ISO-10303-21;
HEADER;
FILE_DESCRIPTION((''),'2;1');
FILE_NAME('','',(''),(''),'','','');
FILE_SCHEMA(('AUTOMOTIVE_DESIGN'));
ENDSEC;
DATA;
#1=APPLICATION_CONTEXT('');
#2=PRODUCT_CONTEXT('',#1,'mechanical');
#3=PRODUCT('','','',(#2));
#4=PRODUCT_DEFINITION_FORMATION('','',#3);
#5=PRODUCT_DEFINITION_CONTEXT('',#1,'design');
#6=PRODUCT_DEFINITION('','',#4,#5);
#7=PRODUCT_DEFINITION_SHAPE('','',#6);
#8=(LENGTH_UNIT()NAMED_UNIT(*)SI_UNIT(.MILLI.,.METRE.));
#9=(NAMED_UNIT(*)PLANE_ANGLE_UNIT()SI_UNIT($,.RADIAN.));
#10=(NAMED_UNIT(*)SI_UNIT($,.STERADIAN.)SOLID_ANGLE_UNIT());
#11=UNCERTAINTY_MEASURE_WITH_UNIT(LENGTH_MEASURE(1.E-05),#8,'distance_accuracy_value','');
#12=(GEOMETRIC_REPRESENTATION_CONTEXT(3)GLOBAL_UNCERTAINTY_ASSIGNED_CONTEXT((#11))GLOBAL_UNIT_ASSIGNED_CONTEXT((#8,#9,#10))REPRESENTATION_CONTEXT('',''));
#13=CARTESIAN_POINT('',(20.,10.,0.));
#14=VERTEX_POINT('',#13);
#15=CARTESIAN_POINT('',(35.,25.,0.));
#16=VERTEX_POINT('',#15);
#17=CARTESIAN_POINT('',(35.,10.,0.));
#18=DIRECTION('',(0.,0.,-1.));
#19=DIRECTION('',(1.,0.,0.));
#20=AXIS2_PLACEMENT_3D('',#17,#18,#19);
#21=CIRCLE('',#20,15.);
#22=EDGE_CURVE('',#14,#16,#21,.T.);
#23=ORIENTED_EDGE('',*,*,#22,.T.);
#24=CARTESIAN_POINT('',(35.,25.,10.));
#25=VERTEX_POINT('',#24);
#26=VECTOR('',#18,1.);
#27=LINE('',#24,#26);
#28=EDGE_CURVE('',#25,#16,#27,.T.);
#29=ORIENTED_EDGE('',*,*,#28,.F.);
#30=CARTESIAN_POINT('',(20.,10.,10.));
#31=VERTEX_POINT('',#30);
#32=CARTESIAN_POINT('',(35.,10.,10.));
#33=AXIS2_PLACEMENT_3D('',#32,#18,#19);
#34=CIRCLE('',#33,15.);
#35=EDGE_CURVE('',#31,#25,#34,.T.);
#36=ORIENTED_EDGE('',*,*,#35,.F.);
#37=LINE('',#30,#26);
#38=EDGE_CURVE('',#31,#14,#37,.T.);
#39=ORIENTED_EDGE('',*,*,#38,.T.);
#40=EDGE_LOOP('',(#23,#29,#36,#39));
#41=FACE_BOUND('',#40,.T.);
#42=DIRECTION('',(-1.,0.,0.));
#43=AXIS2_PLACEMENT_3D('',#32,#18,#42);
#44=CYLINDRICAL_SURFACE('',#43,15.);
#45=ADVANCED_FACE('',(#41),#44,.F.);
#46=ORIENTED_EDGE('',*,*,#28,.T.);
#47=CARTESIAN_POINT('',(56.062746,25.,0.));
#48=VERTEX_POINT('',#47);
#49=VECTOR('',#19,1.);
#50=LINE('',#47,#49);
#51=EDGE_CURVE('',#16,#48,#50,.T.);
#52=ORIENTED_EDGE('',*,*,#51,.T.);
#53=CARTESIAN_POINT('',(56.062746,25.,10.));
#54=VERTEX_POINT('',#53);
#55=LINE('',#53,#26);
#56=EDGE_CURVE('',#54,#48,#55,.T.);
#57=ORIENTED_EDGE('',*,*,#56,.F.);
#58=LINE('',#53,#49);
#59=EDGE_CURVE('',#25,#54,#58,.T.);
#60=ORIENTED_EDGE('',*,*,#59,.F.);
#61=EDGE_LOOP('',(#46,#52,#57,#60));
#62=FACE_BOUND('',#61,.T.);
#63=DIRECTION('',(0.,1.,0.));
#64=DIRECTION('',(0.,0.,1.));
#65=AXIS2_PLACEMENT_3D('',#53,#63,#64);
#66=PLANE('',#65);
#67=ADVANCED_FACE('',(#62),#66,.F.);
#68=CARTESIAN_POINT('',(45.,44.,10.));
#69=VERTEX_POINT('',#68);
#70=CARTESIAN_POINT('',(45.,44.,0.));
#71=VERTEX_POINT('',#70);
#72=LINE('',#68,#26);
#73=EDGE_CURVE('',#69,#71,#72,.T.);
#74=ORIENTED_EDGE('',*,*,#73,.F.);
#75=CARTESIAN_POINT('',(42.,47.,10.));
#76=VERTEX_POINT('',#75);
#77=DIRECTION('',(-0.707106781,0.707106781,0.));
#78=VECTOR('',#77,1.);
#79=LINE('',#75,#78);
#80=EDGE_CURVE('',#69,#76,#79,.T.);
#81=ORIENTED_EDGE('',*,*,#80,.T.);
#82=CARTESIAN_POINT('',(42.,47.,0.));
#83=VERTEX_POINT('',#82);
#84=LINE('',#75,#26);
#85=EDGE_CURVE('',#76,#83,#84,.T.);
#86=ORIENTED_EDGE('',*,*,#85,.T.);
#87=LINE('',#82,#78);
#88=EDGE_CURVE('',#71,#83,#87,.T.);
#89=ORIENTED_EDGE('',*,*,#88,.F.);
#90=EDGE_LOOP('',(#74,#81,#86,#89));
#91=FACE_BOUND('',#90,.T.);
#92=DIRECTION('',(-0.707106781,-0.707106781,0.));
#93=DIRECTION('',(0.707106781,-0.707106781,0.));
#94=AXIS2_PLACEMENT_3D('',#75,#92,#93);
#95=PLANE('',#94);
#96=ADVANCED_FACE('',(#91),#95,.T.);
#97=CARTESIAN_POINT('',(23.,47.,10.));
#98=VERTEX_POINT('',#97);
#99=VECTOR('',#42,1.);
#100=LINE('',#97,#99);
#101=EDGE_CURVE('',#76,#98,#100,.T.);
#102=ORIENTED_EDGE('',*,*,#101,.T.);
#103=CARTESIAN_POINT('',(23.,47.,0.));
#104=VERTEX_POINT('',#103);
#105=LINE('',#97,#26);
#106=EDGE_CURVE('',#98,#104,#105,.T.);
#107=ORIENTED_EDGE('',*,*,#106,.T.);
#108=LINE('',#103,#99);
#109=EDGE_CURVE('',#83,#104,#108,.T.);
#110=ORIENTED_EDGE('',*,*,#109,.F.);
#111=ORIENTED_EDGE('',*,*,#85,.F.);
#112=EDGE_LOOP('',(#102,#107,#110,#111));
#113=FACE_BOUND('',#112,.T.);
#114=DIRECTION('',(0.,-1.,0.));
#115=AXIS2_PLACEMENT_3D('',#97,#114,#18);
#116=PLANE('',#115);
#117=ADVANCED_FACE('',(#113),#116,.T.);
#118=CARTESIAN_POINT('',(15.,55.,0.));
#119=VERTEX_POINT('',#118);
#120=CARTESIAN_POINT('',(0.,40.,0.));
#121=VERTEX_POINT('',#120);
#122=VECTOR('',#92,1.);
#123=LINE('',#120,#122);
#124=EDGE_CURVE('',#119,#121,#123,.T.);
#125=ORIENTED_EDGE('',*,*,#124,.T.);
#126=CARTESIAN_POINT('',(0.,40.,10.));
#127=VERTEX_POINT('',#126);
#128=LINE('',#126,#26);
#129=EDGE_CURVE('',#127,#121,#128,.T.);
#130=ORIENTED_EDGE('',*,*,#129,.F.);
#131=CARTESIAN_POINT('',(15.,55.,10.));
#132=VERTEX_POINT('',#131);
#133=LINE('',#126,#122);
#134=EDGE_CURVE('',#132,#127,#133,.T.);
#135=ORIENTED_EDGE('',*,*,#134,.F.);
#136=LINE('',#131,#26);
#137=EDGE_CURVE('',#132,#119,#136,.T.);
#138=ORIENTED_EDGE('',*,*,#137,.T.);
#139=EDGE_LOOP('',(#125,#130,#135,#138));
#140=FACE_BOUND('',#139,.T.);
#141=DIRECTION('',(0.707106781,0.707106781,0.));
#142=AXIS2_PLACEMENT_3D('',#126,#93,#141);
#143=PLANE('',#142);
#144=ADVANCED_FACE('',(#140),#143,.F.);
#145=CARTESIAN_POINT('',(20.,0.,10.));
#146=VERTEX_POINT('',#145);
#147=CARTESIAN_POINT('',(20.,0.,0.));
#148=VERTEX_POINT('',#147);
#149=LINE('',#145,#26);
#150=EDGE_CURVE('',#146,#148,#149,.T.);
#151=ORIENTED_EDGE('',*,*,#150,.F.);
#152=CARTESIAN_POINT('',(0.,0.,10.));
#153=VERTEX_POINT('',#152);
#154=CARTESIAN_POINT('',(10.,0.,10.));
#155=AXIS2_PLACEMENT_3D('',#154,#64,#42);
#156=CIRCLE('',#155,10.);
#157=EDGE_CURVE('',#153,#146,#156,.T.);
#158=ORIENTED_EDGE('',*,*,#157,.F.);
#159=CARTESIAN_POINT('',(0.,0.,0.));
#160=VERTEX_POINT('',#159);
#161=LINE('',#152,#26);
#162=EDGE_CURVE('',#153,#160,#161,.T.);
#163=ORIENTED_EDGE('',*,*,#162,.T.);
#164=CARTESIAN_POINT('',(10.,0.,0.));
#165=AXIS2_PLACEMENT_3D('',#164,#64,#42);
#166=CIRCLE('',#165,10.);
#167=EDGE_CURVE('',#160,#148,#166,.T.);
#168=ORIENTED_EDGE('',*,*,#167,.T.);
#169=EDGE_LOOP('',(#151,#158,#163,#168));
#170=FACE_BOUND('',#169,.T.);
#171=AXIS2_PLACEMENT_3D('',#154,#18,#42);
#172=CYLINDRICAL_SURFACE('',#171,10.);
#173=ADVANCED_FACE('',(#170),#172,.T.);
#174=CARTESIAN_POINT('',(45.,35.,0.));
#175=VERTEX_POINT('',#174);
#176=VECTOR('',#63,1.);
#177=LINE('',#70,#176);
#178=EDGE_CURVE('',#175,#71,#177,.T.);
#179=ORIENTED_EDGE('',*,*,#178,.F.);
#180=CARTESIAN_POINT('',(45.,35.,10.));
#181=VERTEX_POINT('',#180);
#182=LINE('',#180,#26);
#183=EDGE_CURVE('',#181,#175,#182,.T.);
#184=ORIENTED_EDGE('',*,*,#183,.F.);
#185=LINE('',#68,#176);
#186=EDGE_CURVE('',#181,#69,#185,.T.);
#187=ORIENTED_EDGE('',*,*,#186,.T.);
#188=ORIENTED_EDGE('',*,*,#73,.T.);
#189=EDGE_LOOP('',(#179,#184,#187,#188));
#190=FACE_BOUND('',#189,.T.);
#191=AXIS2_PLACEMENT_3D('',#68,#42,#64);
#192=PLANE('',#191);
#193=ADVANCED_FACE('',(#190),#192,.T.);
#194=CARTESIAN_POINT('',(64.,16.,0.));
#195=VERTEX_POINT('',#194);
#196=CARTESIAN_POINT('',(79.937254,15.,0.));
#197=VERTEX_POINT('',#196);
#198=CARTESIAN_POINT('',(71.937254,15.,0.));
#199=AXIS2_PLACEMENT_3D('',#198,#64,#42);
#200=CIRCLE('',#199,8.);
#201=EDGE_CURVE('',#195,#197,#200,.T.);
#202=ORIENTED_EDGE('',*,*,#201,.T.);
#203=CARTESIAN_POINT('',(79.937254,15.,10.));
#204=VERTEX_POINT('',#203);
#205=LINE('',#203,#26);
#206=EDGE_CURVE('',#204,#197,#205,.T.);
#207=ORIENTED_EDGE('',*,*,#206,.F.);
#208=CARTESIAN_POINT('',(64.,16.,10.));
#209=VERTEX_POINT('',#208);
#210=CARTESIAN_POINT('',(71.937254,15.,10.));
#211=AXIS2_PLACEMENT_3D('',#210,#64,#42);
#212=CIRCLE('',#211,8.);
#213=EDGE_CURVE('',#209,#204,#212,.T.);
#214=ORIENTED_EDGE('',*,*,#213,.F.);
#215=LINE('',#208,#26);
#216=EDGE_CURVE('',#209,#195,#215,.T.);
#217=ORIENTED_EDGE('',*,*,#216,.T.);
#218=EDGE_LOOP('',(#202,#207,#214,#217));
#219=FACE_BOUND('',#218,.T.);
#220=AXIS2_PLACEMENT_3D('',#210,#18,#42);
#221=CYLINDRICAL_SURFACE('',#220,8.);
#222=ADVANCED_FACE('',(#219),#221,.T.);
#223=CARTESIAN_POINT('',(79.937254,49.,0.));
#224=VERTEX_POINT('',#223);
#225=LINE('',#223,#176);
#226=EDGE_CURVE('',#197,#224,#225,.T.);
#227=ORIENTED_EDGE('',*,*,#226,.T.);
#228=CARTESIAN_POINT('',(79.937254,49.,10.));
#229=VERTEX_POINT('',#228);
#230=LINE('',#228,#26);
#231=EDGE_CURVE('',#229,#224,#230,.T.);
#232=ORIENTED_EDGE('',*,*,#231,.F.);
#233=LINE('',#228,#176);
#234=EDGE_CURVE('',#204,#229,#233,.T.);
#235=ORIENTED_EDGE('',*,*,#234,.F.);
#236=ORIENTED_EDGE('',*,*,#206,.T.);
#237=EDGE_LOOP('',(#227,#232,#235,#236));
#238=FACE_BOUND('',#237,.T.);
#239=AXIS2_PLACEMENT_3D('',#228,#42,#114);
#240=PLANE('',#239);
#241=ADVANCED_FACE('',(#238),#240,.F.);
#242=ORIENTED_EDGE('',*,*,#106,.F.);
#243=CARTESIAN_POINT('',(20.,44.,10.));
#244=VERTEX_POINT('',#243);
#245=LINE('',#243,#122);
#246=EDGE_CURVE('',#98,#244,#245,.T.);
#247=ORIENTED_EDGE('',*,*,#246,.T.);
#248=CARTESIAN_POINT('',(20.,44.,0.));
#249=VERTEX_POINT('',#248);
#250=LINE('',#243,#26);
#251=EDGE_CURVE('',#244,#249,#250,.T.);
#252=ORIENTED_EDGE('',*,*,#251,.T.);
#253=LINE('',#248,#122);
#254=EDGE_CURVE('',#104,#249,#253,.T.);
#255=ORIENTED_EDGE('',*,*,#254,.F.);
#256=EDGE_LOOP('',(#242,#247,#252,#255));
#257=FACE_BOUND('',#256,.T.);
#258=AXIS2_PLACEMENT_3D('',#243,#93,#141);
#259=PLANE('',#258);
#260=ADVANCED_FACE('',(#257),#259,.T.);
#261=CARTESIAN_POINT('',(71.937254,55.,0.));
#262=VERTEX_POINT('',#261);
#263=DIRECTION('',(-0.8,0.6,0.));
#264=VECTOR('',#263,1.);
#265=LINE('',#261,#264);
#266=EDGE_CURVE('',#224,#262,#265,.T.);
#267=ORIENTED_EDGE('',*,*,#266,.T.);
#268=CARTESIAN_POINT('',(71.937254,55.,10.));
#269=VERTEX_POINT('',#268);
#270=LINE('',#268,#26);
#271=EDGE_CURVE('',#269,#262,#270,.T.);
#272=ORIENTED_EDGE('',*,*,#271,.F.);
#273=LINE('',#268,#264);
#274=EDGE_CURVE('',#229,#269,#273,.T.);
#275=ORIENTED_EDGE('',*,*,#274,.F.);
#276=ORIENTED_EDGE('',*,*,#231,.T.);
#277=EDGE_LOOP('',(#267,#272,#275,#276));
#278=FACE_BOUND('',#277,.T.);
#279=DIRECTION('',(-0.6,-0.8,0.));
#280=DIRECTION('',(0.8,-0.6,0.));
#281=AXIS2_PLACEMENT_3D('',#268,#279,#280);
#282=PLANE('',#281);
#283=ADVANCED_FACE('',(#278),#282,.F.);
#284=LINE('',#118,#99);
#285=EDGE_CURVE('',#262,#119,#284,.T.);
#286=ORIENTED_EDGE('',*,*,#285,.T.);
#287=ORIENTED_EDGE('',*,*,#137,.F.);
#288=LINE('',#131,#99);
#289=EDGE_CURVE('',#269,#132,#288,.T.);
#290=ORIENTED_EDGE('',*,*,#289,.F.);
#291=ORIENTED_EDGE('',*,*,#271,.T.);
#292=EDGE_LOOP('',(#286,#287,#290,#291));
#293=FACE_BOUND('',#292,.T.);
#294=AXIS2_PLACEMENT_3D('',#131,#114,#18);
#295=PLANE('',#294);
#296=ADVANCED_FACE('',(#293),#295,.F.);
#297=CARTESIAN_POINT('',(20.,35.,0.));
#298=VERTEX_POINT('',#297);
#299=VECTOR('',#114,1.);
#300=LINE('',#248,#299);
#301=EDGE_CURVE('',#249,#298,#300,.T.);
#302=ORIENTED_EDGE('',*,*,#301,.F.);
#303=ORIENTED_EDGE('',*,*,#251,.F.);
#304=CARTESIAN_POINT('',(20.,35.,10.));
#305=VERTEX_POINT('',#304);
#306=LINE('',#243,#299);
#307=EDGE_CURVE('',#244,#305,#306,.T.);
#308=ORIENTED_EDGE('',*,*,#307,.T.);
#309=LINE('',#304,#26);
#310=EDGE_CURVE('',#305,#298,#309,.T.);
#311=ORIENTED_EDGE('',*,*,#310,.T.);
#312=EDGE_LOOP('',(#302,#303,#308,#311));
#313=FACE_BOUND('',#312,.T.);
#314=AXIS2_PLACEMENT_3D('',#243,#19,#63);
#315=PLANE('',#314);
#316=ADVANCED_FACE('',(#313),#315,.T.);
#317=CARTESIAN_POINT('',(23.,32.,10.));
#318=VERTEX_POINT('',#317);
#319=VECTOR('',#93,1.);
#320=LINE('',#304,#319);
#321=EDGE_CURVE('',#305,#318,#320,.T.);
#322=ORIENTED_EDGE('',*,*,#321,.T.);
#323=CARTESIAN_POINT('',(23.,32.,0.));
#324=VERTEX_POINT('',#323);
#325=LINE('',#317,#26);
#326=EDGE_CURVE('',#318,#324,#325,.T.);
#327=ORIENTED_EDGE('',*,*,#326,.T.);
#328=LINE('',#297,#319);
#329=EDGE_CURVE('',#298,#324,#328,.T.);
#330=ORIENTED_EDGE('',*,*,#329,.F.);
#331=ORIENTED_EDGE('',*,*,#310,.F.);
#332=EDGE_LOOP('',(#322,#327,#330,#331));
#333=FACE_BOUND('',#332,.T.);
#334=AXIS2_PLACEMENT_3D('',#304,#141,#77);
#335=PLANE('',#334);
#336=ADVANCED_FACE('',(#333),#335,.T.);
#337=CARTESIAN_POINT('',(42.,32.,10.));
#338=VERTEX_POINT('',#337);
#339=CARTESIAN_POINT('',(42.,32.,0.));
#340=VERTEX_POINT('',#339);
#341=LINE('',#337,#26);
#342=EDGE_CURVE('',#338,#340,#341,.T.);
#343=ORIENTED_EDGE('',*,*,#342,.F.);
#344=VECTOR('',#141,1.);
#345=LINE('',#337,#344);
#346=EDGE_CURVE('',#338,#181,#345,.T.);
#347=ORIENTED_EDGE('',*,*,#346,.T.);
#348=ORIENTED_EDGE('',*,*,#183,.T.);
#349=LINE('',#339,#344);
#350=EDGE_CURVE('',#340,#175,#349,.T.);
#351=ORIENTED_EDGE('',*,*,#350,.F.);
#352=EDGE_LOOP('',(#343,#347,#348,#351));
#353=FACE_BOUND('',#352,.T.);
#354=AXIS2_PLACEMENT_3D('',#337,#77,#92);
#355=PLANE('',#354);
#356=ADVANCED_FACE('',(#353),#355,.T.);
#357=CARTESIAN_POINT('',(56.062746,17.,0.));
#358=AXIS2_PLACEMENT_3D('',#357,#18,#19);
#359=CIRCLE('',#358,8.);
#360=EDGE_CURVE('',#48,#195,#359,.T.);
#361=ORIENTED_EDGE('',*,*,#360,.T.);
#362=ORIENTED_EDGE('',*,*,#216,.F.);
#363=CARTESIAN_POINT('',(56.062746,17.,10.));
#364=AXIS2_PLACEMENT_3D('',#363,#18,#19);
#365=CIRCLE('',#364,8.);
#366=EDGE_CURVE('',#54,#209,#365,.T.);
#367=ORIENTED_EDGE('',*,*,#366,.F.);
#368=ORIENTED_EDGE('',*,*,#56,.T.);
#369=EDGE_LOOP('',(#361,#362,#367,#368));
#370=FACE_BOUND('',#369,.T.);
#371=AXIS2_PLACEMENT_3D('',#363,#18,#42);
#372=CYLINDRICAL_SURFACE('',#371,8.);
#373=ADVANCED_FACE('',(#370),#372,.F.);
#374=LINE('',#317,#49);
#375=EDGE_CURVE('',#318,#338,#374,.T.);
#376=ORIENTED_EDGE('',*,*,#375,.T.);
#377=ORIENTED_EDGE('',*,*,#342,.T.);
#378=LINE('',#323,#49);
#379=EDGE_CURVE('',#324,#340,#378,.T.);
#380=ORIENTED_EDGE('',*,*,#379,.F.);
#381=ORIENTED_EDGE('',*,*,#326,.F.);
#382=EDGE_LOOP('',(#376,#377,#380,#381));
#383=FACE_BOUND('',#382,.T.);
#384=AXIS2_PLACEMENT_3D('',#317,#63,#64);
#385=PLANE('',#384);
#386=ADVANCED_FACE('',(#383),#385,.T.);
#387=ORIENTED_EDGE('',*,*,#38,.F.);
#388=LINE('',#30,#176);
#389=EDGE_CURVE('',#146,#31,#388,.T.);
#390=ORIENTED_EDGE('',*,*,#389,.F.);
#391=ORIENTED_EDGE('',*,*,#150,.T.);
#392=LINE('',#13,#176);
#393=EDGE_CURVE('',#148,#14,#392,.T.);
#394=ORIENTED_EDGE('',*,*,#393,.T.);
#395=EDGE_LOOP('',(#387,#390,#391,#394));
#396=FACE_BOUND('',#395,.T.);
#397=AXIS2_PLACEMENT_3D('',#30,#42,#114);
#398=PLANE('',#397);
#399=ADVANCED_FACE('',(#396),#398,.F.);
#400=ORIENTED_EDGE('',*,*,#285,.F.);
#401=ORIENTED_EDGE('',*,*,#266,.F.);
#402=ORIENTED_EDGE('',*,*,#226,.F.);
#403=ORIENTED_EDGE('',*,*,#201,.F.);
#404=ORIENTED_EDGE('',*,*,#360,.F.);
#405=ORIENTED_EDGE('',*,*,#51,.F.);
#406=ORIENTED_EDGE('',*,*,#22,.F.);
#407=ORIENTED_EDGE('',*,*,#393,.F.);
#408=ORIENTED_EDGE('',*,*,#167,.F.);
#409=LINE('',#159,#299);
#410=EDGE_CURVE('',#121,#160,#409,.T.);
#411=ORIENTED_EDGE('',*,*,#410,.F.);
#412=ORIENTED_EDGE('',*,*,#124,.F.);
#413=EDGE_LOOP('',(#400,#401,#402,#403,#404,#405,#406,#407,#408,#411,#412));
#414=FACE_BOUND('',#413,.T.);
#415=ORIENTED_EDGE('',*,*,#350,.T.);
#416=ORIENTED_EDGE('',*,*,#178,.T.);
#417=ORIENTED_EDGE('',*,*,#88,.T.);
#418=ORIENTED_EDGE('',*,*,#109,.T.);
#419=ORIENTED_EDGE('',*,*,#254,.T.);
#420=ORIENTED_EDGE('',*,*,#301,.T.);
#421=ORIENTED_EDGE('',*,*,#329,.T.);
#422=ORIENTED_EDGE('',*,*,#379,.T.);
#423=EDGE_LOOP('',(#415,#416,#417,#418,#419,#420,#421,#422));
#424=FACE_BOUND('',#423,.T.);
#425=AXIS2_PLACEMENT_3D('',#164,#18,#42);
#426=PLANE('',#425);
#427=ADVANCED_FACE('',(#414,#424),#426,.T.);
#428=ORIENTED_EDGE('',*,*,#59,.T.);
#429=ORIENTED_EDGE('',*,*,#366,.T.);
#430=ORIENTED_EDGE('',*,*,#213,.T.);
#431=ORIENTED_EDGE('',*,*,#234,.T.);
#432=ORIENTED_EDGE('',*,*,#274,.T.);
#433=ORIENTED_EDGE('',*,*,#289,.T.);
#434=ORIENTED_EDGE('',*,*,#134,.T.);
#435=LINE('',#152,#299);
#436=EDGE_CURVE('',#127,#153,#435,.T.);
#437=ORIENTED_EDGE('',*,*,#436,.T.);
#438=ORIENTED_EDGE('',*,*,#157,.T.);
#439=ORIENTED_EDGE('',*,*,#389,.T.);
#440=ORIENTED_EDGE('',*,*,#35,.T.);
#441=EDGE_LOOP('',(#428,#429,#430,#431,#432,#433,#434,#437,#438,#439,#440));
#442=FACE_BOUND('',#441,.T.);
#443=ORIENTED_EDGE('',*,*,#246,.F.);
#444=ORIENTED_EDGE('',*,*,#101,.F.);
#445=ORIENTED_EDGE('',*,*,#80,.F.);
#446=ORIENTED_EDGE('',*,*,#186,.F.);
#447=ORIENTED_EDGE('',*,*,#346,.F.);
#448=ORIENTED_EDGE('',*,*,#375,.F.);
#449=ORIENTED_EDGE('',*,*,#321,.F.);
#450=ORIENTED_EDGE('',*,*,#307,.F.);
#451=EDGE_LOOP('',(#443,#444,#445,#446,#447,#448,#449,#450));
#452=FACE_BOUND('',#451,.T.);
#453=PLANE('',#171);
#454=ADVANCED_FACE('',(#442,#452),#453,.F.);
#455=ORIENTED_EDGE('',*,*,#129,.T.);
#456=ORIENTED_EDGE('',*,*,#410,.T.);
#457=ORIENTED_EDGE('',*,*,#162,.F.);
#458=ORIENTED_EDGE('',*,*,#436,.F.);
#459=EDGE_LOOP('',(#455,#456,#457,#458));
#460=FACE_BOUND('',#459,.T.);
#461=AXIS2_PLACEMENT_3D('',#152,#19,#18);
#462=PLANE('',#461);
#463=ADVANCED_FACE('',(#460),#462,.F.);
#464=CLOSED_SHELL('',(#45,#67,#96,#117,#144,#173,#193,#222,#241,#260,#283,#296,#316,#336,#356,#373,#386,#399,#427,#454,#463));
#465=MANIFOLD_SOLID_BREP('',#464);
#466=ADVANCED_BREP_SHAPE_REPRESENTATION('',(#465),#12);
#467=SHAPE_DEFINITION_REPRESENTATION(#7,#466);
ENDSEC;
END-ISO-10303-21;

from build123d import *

# Parameters (mm, degrees)
SALIENTE_EXTRUIR1_DEPTH = 10


with BuildPart() as part:
    # Croquis1 → Saliente-Extruir1 (new body)
    with BuildSketch(Plane.XY):
        with BuildLine():
            Line((0, 0), (0, 40))
            Line((0, 40), (15, 55))
            Line((15, 55), (71.937253933, 55))
            Line((71.937253933, 55), (79.937253933, 49))
            Line((79.937253933, 49), (79.937253933, 15))
            ThreePointArc((79.937253933, 15), (71.436270633, 7.015701926), (64, 16))
            ThreePointArc((64, 16), (62.062746067, 22.291502622), (56.062746067, 25))
            Line((56.062746067, 25), (35, 25))
            ThreePointArc((35, 25), (24.393398282, 20.606601718), (20, 10))
            Line((20, 10), (20, 0))
            ThreePointArc((20, 0), (10, -10), (0, 0))
        make_face()
        Polygon((20, 44), (23, 47), (42, 47), (45, 44), (45, 35), (42, 32), (23, 32), (20, 35), align=None, mode=Mode.SUBTRACT)
    extrude(amount=SALIENTE_EXTRUIR1_DEPTH)


solid = part.part
